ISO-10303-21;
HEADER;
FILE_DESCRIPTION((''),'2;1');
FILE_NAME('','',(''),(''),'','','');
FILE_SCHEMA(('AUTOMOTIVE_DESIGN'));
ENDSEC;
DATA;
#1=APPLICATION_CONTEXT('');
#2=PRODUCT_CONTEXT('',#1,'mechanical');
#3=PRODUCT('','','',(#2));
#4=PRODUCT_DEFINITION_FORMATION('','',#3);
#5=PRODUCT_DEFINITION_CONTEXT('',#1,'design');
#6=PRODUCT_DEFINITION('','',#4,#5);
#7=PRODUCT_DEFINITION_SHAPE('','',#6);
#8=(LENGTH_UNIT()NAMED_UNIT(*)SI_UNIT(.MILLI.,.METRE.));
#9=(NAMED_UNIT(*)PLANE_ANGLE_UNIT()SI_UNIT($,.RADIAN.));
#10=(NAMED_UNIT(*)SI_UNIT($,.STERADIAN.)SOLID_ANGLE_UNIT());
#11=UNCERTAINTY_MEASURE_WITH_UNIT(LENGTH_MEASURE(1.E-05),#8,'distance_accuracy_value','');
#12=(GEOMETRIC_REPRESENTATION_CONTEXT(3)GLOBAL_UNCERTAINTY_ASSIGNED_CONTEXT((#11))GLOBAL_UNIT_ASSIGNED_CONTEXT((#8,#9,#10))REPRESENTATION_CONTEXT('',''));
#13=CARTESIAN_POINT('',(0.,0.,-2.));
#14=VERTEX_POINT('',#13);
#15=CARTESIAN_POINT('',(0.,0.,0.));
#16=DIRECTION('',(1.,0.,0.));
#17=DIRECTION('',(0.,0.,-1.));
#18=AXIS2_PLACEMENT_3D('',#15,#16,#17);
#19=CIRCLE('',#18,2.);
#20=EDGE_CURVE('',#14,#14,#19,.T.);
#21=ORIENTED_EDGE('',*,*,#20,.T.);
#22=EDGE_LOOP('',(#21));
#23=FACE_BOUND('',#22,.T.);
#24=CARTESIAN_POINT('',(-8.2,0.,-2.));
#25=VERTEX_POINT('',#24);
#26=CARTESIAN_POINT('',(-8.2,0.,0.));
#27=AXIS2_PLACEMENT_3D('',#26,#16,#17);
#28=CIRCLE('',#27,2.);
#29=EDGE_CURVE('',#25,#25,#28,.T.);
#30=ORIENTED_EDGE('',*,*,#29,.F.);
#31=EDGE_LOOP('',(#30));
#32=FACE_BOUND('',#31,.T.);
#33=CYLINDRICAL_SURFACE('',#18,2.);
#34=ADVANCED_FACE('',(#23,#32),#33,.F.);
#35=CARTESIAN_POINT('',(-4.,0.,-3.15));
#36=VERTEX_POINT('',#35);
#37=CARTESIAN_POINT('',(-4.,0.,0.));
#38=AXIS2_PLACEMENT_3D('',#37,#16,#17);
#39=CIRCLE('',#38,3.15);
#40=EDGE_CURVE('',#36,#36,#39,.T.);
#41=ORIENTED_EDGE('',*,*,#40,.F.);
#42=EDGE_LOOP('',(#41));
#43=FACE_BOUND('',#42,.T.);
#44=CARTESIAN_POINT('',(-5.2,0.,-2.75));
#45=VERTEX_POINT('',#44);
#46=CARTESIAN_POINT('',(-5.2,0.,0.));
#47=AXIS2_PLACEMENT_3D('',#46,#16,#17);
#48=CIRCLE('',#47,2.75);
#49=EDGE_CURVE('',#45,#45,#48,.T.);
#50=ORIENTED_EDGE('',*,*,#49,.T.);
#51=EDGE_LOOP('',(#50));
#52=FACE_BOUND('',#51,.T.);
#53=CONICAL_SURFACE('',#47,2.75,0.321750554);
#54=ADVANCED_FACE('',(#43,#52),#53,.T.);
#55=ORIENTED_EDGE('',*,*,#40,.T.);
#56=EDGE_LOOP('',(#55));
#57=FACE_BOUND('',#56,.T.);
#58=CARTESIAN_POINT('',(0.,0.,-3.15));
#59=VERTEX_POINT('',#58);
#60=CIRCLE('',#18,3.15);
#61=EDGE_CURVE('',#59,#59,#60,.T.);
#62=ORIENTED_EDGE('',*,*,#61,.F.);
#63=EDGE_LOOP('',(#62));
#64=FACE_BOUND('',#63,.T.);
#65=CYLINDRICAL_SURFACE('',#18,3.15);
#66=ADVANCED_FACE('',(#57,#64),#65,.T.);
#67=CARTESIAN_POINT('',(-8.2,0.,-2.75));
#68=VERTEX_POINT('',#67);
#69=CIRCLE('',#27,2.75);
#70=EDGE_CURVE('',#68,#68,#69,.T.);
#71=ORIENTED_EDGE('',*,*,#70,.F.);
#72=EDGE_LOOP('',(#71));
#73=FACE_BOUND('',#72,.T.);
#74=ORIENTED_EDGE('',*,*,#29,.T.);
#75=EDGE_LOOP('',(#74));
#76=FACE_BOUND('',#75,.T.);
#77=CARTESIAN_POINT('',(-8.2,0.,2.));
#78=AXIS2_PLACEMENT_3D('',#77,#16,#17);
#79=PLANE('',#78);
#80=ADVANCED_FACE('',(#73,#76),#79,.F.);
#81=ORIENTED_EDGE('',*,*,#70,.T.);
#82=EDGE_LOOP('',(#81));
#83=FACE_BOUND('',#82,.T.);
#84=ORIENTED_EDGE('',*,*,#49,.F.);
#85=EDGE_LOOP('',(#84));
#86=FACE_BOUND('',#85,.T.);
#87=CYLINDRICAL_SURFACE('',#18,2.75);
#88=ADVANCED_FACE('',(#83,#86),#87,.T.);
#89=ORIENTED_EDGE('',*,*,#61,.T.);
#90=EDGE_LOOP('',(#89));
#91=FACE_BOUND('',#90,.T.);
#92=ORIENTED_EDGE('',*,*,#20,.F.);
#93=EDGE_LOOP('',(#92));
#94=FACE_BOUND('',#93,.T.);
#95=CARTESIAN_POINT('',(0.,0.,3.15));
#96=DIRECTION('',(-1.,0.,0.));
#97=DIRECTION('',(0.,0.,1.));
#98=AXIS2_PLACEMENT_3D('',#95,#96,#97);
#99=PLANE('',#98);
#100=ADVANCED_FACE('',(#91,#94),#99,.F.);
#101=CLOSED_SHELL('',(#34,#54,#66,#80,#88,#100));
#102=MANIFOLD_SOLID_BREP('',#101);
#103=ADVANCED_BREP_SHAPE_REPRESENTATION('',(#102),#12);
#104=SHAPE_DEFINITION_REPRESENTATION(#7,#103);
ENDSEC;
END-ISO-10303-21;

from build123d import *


with BuildPart() as part:
    # Croquis1 → Revolución1 (revolve)
    with BuildSketch(Plane(origin=(0, 0, 0), x_dir=(-1, 0, 0), z_dir=(0, 1, 0)), mode=Mode.PRIVATE) as revoluci_n1_sk:
        Polygon((0, 3.15), (0, 2), (8.2, 2), (8.2, 2.75), (5.2, 2.75), (4, 3.15), align=None)
    revolve(revoluci_n1_sk.sketch.rotate(Axis((0, 0, 0), (-1, 0, 0)), 180), axis=Axis((0, 0, 0), (-1, 0, 0)))


solid = part.part
